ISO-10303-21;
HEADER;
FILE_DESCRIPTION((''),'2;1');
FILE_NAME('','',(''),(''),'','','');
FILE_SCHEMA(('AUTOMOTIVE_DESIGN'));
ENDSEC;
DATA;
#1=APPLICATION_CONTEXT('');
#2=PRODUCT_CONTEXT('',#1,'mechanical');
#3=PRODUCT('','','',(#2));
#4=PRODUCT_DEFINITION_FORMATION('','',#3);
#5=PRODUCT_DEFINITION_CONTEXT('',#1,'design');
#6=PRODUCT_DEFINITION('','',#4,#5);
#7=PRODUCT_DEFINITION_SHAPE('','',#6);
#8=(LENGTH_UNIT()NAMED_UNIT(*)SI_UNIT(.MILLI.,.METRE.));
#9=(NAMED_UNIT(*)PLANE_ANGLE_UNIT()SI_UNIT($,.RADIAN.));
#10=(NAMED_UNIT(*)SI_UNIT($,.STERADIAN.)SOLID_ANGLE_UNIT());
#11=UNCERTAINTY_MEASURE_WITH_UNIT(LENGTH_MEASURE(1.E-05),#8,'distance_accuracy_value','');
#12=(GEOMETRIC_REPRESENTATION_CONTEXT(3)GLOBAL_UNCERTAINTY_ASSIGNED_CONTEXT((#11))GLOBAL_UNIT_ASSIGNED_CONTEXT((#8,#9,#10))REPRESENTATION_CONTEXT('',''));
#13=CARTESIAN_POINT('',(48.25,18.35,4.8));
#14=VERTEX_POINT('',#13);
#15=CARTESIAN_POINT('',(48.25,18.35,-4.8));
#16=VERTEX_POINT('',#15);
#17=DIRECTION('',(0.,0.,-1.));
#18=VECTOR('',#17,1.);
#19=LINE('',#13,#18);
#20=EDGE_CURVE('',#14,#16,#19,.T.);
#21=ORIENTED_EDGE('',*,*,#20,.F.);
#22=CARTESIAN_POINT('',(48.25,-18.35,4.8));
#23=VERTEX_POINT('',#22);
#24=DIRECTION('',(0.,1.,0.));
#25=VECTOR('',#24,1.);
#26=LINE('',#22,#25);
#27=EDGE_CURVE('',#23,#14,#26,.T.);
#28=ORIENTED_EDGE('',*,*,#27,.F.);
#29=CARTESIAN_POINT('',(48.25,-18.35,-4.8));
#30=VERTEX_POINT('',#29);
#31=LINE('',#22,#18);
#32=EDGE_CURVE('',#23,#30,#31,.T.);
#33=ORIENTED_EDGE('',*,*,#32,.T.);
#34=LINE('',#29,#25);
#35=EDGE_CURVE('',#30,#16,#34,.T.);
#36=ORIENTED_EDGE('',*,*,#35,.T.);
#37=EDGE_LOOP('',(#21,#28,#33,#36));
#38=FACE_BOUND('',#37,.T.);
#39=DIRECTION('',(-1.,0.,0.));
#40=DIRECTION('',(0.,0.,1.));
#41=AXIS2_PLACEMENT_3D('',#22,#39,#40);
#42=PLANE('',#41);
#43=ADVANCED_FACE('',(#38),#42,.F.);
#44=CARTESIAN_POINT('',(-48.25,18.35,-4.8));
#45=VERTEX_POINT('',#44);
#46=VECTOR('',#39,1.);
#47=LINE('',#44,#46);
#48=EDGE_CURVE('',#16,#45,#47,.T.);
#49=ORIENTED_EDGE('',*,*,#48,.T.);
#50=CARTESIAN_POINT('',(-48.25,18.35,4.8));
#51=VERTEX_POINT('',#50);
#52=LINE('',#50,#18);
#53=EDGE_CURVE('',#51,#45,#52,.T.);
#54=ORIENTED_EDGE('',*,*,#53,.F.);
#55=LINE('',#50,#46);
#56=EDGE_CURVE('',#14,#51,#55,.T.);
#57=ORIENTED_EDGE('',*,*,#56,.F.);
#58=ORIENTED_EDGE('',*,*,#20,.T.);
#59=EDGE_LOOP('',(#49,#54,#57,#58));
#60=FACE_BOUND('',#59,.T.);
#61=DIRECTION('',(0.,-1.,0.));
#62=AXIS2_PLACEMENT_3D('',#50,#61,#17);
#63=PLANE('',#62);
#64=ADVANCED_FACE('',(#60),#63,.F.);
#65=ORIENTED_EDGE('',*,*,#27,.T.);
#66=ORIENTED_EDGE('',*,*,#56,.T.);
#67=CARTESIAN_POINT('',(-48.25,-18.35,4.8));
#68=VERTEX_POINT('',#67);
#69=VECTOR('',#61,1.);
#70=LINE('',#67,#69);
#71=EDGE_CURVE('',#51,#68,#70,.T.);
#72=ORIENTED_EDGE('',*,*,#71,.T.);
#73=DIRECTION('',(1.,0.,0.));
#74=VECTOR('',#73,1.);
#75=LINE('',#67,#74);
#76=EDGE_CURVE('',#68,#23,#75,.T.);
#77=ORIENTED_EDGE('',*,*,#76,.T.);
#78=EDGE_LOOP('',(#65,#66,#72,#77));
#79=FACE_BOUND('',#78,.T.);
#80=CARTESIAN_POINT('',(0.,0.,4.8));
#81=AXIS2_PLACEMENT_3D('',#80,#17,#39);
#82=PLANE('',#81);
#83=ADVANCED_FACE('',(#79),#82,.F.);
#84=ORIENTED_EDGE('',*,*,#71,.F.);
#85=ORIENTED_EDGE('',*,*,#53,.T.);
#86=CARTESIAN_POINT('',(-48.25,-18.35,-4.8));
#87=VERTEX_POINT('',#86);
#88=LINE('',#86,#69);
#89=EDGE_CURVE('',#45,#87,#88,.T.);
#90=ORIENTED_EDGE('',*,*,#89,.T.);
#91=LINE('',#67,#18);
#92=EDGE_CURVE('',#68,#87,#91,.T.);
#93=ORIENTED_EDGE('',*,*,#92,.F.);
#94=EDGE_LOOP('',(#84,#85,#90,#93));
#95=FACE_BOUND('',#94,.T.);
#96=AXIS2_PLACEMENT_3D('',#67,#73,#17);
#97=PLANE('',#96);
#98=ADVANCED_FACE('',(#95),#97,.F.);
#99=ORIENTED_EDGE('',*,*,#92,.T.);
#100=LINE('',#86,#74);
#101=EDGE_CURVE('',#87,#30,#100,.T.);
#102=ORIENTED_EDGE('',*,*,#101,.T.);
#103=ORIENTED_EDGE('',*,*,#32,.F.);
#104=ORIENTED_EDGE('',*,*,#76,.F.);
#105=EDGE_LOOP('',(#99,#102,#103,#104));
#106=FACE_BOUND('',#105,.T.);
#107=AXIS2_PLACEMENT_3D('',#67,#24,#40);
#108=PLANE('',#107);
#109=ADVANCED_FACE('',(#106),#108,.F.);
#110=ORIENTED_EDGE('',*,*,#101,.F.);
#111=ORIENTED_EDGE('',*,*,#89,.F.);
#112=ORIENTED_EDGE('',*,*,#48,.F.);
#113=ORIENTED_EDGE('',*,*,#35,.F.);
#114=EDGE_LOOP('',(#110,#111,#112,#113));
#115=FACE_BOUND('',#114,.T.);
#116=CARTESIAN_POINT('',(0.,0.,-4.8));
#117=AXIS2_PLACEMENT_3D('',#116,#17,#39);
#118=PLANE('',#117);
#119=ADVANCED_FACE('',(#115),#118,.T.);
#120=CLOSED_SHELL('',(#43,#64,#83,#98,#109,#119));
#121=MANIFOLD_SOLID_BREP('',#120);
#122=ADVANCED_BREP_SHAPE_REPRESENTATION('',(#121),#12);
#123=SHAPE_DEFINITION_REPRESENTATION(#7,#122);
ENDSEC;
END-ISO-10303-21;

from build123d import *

# Parameters (mm, degrees)
ESBO_O1_W                = 96.5
ESBO_O1_H                = 36.7
RESSALTO_EXTRUS_O1_DEPTH = 4.8


with BuildPart() as part:
    # Esboço1 → Ressalto-extrusão1 (new, symmetric)
    with BuildSketch(Plane.XY):
        Rectangle(ESBO_O1_W, ESBO_O1_H)
    extrude(amount=RESSALTO_EXTRUS_O1_DEPTH, both=True)


solid = part.part
